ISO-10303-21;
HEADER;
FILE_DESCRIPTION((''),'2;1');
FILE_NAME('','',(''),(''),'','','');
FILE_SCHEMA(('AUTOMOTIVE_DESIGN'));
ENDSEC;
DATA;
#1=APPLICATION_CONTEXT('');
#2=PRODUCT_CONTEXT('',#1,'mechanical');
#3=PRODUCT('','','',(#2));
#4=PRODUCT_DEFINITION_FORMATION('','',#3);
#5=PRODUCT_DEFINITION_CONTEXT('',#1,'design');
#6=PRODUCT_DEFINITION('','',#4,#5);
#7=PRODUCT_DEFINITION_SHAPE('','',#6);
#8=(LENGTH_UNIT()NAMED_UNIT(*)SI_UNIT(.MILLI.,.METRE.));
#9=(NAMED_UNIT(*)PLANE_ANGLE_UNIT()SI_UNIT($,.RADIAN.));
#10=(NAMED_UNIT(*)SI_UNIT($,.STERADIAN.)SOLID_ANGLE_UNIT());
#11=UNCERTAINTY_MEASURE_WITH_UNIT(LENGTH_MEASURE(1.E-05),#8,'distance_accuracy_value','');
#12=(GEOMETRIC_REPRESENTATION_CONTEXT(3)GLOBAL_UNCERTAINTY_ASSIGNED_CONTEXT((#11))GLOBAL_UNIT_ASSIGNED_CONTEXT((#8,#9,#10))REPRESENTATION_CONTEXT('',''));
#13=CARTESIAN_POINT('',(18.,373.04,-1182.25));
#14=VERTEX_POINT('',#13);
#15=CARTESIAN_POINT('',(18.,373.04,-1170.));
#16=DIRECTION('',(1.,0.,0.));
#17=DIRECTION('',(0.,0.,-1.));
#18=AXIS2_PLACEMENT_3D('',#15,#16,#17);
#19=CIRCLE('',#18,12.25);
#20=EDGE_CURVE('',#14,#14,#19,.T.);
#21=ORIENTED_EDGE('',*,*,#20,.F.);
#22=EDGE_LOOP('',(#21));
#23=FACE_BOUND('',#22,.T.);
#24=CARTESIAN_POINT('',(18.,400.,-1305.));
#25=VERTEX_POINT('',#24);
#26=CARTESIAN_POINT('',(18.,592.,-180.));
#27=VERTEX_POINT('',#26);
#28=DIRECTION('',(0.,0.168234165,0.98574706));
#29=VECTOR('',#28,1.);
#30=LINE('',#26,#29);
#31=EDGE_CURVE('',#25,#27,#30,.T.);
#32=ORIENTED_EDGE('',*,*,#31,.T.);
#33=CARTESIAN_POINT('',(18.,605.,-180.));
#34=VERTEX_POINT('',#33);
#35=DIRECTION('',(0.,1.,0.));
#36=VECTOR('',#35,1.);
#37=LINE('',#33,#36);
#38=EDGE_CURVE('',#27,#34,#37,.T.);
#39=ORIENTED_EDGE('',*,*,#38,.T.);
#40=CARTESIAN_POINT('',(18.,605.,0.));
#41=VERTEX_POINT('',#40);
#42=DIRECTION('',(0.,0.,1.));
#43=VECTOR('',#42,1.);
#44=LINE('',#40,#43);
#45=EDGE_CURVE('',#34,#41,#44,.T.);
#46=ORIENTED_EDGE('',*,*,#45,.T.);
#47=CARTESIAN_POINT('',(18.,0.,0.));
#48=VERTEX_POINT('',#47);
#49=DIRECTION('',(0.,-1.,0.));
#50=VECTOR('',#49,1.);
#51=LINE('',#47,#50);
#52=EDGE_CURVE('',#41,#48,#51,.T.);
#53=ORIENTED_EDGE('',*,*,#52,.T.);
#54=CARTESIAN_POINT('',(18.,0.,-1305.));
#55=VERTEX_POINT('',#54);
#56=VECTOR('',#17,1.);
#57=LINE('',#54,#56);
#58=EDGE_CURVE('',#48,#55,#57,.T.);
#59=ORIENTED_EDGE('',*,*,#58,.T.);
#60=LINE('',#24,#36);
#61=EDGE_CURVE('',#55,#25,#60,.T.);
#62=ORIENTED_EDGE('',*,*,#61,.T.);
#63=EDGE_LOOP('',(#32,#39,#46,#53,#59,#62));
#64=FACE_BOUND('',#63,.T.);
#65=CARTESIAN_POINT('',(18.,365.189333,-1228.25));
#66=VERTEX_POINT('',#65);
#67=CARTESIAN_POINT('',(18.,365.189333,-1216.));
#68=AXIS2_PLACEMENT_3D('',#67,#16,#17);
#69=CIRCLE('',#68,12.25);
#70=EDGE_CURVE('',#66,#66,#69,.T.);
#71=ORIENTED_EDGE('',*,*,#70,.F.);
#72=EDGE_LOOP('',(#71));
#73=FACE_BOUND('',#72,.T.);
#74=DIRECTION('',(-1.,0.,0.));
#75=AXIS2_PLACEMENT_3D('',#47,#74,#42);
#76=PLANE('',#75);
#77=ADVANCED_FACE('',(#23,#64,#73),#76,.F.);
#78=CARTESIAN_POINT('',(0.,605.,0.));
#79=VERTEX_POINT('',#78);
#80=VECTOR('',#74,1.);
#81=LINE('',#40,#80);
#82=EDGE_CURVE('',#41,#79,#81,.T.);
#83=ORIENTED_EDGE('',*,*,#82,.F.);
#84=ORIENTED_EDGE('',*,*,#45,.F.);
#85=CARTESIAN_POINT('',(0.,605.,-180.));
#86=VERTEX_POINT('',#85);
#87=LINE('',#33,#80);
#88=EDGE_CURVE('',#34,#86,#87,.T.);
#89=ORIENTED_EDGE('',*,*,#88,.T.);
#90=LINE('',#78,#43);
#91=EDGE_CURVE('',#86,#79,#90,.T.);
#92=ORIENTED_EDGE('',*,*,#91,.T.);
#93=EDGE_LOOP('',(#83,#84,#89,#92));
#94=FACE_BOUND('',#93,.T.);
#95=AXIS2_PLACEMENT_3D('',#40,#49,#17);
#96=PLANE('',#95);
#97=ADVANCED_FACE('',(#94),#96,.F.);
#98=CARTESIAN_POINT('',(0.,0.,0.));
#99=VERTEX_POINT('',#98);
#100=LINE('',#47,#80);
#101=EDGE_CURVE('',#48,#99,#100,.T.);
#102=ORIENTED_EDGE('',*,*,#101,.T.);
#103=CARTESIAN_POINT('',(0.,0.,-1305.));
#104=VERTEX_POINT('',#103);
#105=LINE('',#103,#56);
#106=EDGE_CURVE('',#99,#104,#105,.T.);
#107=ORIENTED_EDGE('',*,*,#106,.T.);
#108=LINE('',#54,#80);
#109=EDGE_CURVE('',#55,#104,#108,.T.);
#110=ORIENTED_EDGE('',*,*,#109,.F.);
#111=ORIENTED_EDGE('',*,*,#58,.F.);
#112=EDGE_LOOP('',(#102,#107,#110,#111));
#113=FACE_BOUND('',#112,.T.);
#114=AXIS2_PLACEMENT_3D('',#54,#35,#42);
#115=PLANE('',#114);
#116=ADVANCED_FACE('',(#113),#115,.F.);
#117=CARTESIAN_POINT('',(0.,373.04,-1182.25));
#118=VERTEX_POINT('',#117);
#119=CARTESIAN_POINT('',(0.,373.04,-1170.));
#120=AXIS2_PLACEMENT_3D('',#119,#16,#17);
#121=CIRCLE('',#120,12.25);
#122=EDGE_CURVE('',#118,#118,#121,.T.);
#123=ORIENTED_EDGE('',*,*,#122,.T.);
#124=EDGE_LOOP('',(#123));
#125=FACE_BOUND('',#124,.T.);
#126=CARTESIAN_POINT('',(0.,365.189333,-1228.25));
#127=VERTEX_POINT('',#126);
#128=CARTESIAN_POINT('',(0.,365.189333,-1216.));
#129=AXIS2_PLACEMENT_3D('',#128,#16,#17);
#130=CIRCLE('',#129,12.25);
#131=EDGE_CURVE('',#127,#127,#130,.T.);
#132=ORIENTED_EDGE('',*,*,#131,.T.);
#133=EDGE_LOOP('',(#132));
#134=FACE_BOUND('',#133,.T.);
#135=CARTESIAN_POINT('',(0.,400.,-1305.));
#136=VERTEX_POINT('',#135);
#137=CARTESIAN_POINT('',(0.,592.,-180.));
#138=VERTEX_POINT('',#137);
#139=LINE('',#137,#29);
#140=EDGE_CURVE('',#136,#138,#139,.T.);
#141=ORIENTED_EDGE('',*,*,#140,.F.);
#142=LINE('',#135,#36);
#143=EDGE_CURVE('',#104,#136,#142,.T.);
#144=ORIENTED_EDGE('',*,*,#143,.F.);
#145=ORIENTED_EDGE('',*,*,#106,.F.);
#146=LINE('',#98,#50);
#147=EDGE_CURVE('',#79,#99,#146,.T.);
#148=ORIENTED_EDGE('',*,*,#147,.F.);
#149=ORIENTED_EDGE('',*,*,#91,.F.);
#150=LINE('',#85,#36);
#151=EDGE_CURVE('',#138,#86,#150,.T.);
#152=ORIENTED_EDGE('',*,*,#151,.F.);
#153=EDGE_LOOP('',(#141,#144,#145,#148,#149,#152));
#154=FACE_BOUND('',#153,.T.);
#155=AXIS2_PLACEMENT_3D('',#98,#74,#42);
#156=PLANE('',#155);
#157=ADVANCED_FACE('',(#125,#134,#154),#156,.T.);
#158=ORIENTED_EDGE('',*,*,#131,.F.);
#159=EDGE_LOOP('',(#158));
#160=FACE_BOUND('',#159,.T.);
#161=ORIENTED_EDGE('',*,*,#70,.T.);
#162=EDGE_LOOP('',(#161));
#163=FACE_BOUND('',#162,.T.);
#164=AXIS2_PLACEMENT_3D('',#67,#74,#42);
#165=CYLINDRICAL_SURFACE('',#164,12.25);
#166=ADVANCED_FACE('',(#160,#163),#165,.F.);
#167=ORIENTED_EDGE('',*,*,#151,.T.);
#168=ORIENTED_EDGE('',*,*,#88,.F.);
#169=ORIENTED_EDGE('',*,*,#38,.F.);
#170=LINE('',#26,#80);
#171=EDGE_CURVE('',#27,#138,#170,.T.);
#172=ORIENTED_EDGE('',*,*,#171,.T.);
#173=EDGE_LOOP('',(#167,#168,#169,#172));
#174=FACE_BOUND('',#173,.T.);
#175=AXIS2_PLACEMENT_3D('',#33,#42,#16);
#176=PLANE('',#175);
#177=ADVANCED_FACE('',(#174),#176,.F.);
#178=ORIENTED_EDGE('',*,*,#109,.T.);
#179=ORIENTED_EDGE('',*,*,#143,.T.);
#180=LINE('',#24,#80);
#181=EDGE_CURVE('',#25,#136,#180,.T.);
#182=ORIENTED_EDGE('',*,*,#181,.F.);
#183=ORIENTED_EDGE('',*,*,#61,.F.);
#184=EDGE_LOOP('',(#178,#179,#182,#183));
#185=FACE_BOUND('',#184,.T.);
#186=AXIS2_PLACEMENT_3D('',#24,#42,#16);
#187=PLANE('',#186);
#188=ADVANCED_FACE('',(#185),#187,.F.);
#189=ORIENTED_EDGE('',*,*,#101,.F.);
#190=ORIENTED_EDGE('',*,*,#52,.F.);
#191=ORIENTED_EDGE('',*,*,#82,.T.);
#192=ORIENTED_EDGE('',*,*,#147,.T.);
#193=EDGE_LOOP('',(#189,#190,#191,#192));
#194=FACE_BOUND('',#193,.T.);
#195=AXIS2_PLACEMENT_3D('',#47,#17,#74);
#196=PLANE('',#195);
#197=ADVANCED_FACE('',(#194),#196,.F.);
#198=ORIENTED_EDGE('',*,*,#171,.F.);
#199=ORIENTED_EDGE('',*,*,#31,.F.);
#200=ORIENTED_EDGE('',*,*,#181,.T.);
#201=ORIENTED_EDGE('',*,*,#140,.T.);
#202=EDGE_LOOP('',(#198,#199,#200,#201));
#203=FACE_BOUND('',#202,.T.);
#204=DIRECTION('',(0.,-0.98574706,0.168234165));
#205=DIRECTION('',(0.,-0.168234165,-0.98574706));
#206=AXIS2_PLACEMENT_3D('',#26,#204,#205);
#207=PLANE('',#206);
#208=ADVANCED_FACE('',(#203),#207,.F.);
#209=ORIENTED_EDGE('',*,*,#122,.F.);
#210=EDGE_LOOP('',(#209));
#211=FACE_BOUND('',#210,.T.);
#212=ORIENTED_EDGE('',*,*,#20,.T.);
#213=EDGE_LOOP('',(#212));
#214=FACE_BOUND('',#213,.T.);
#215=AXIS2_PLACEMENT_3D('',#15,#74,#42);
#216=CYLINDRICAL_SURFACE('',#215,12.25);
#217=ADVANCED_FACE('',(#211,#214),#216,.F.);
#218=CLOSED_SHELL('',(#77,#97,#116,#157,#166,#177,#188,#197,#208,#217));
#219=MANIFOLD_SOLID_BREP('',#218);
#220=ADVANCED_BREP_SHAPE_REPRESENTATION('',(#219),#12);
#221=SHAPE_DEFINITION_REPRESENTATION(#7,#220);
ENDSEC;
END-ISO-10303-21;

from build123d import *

# Parameters (mm, degrees)
SKETCH1_R           = 12.25
BOSS_EXTRUDE1_DEPTH = 18


with BuildPart() as part:
    # Sketch1 → Boss-Extrude1 (new body)
    with BuildSketch(Plane(origin=(0, 0, 0), x_dir=(0, 0, -1), z_dir=(1, 0, 0))):
        Polygon((0, 0), (0, 605), (180, 605), (180, 592), (1305, 400), (1305, 0), align=None)
        with Locations((1216, 365.189333333)):
            Circle(SKETCH1_R, mode=Mode.SUBTRACT)
        with Locations((1170, 373.04)):
            Circle(SKETCH1_R, mode=Mode.SUBTRACT)
    extrude(amount=BOSS_EXTRUDE1_DEPTH)


solid = part.part
